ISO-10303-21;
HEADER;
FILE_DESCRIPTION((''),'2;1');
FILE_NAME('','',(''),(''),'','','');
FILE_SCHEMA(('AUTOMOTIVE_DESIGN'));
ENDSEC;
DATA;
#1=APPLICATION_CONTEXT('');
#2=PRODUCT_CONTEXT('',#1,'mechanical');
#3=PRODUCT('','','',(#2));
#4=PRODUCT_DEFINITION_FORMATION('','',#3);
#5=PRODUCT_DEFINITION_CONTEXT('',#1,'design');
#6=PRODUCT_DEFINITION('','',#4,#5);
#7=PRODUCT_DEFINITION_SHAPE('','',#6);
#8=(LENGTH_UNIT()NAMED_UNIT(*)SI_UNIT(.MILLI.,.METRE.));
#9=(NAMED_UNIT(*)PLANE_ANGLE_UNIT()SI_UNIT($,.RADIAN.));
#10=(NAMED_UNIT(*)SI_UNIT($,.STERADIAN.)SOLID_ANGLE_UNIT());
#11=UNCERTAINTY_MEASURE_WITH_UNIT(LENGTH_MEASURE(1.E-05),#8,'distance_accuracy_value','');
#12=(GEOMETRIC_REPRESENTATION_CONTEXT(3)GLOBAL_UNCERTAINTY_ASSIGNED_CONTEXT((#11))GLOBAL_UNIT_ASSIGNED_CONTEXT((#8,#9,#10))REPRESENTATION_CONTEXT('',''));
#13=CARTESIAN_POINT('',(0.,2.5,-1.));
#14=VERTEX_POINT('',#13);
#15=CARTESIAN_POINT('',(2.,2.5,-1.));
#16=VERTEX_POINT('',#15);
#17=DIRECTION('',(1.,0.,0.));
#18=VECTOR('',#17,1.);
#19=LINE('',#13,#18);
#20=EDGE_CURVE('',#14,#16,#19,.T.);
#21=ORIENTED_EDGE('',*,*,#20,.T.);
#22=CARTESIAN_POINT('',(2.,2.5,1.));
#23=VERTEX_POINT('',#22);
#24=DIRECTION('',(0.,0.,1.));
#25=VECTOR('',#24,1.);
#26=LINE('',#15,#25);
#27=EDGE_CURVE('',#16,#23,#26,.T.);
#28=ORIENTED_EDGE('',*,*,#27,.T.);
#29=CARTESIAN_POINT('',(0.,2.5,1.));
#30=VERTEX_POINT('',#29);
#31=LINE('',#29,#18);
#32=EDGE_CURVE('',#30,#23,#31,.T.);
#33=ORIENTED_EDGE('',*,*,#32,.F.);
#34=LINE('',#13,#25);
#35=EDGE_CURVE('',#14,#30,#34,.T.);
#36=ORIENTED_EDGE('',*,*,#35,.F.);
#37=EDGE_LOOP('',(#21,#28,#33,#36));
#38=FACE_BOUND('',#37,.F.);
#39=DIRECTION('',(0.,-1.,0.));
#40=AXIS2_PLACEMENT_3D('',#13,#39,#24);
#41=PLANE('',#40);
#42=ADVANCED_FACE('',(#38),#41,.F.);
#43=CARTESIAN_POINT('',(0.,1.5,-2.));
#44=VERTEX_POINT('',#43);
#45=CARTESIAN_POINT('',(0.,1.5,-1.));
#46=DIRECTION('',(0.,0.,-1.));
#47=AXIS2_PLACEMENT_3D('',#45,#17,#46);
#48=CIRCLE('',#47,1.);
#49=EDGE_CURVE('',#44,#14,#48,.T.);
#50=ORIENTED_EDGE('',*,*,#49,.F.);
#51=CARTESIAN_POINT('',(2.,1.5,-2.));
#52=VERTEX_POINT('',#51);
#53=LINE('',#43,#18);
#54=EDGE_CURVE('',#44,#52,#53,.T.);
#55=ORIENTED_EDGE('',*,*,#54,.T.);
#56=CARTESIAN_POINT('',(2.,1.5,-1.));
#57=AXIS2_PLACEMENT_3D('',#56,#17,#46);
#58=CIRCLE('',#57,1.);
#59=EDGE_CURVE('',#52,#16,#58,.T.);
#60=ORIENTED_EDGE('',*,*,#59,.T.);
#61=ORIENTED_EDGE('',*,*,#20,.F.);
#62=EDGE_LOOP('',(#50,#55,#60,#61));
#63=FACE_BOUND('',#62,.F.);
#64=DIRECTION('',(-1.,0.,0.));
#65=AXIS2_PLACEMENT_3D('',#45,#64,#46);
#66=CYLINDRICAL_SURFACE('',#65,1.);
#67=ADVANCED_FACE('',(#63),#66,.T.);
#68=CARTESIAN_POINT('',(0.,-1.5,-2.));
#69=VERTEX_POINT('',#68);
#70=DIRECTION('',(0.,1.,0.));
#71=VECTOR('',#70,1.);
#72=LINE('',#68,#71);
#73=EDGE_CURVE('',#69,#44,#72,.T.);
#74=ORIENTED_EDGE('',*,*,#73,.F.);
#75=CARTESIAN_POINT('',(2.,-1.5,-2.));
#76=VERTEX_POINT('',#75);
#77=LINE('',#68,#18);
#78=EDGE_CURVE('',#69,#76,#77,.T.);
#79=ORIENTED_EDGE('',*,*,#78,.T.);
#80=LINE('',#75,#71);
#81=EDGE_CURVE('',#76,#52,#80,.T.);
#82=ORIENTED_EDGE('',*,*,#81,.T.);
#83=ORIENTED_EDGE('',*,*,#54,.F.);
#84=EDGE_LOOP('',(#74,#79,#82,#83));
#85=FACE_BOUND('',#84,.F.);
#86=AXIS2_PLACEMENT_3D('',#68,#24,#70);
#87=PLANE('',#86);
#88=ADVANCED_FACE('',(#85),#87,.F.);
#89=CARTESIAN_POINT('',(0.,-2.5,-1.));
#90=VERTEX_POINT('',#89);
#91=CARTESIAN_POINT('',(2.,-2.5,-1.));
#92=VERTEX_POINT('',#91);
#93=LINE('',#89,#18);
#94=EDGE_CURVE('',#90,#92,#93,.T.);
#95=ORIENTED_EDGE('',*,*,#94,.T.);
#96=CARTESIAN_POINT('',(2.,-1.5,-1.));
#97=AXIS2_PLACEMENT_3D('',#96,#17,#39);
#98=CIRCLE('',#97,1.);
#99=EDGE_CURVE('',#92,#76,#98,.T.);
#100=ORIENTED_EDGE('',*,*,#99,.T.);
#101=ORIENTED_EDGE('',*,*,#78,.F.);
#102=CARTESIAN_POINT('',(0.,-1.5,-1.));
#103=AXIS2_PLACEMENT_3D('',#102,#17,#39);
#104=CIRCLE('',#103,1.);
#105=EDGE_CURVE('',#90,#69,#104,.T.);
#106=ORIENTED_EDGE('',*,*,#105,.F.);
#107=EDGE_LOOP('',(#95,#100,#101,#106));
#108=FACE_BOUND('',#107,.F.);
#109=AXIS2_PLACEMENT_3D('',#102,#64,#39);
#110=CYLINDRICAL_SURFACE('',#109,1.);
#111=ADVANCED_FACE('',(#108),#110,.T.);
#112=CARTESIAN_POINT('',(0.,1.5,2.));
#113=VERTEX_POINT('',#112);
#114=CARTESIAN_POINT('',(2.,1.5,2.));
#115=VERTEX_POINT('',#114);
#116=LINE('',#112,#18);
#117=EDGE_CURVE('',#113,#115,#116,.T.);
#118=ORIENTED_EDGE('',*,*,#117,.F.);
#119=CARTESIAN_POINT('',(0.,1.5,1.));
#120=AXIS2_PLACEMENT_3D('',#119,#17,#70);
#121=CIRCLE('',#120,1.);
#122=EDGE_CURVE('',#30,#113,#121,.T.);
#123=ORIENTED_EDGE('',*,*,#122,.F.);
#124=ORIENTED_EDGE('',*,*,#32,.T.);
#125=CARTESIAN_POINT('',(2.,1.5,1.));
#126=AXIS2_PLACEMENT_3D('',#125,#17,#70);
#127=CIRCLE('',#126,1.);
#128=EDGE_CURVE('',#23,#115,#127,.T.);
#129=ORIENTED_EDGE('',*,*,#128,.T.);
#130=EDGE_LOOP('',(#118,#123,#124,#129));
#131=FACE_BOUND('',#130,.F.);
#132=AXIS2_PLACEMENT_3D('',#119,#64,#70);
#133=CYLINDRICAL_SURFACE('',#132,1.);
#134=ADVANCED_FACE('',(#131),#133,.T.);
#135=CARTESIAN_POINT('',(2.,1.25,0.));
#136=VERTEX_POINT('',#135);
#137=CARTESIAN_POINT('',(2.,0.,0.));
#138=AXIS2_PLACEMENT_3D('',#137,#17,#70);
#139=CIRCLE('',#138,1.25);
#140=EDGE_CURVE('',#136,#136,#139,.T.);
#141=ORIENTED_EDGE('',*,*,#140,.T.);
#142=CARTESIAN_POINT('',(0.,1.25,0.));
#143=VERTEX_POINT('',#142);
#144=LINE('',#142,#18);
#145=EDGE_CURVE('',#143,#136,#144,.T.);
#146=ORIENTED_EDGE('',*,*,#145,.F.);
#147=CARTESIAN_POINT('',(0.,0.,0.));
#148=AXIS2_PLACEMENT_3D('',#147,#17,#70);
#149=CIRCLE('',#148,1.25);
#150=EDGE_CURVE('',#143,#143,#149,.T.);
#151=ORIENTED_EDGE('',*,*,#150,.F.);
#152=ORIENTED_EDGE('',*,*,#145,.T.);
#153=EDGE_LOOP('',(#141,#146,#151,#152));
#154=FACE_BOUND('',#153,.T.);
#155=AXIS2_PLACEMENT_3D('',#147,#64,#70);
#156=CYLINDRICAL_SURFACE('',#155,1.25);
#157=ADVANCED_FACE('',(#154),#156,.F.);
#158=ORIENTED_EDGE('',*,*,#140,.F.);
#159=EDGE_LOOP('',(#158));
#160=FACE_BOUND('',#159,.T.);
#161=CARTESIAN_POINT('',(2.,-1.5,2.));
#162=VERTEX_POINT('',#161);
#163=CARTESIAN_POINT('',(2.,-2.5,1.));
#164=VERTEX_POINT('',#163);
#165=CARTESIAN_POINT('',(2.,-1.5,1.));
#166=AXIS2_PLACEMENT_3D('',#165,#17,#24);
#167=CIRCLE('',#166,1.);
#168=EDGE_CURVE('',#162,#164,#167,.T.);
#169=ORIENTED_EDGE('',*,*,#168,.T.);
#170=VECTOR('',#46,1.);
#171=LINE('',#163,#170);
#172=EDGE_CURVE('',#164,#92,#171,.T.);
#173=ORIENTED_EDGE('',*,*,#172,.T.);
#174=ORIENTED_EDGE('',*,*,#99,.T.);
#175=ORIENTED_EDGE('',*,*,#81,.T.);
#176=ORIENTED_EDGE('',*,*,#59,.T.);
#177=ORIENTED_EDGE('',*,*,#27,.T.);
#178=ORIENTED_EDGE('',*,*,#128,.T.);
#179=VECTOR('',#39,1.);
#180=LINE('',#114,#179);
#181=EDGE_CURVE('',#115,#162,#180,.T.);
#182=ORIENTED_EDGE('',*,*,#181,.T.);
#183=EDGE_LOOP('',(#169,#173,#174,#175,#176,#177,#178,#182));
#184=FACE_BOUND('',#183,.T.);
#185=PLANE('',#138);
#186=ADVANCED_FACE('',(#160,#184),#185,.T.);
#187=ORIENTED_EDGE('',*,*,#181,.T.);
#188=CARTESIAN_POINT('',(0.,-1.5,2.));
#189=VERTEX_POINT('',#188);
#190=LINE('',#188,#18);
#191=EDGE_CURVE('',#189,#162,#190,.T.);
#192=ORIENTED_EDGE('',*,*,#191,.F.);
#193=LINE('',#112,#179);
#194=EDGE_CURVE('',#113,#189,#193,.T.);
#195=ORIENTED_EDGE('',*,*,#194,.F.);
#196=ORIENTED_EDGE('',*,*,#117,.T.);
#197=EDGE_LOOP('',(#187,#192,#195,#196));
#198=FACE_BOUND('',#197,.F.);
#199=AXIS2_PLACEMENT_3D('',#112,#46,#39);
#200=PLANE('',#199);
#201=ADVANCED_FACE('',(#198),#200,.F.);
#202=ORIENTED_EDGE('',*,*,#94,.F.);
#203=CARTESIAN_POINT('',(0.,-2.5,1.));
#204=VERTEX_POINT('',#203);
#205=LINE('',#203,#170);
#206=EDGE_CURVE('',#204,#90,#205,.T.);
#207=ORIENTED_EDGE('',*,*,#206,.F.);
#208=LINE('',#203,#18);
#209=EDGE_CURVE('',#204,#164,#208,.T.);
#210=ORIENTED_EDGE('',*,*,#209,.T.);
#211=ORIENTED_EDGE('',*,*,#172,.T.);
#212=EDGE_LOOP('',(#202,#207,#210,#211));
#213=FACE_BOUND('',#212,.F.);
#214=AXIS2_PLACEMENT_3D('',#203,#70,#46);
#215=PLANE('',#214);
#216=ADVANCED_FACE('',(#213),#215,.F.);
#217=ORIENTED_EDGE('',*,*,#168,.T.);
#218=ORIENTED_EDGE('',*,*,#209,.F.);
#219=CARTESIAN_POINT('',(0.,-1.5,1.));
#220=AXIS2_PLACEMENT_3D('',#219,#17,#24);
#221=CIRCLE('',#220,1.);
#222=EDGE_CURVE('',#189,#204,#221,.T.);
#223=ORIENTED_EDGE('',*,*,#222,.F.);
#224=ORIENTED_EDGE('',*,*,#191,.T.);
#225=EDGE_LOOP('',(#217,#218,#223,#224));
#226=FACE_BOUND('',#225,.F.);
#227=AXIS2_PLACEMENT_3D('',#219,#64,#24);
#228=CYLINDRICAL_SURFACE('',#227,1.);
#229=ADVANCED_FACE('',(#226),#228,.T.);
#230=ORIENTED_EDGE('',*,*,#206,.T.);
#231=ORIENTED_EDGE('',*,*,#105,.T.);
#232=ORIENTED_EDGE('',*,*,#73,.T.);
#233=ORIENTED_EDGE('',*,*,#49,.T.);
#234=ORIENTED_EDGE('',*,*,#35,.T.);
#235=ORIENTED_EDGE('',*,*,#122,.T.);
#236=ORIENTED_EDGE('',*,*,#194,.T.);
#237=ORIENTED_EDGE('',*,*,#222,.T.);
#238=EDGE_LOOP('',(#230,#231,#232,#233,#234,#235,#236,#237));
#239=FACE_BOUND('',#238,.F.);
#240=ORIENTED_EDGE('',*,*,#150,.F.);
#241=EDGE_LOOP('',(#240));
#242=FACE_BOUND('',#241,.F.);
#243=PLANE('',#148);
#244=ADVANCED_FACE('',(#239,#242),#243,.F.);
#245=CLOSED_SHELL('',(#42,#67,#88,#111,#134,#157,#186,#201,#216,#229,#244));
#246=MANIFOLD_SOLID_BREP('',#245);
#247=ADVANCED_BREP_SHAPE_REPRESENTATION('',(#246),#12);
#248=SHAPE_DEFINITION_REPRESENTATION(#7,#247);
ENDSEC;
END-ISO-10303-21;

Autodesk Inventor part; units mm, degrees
ref_plane "YZ Plane" through (0, 0, 0) normal (1, 0, 0) x (0, 1, 0)
ref_plane "XZ Plane" through (0, 0, 0) normal (0, 1, 0) x (-1, 0, 0)
ref_plane "XY Plane" through (0, 0, 0) normal (0, 0, 1) x (1, 0, 0)
sketch "Sketch1" plane through (0, 0, 0) normal (1, 0, 0) x (0, 1, 0)
  line L0 (1.5, 2) -> (-1.5, 2)
  line L1 (-2.5, 1) -> (-2.5, -1)
  line L2 (-1.5, -2) -> (1.5, -2)
  line L3 (2.5, -1) -> (2.5, 1)
  circle A0 centre (0, 0) radius 1.25
  arc A1 (2.5, 1) -> (1.5, 2) centre (1.5, 1) ccw
  arc A2 (1.5, -2) -> (2.5, -1) centre (1.5, -1) ccw
  arc A3 (-1.5, 2) -> (-2.5, 1) centre (-1.5, 1) ccw
  arc A4 (-2.5, -1) -> (-1.5, -2) centre (-1.5, -1) ccw
  point P0 (2.5, 2)
  point P1 (-2.5, 2)
  point P2 (2.5, -2)
  point P3 (2.5, 0)
  point P4 (0, 2)
  dimension "d0" = 4
  dimension "d1" = 5
  dimension "d2" = 2.5
  dimension "d3" = 1
extrude "Extrusion1" add sketch "Sketch1" along normal blind 2
properties part number "Podkladka_2mm"
